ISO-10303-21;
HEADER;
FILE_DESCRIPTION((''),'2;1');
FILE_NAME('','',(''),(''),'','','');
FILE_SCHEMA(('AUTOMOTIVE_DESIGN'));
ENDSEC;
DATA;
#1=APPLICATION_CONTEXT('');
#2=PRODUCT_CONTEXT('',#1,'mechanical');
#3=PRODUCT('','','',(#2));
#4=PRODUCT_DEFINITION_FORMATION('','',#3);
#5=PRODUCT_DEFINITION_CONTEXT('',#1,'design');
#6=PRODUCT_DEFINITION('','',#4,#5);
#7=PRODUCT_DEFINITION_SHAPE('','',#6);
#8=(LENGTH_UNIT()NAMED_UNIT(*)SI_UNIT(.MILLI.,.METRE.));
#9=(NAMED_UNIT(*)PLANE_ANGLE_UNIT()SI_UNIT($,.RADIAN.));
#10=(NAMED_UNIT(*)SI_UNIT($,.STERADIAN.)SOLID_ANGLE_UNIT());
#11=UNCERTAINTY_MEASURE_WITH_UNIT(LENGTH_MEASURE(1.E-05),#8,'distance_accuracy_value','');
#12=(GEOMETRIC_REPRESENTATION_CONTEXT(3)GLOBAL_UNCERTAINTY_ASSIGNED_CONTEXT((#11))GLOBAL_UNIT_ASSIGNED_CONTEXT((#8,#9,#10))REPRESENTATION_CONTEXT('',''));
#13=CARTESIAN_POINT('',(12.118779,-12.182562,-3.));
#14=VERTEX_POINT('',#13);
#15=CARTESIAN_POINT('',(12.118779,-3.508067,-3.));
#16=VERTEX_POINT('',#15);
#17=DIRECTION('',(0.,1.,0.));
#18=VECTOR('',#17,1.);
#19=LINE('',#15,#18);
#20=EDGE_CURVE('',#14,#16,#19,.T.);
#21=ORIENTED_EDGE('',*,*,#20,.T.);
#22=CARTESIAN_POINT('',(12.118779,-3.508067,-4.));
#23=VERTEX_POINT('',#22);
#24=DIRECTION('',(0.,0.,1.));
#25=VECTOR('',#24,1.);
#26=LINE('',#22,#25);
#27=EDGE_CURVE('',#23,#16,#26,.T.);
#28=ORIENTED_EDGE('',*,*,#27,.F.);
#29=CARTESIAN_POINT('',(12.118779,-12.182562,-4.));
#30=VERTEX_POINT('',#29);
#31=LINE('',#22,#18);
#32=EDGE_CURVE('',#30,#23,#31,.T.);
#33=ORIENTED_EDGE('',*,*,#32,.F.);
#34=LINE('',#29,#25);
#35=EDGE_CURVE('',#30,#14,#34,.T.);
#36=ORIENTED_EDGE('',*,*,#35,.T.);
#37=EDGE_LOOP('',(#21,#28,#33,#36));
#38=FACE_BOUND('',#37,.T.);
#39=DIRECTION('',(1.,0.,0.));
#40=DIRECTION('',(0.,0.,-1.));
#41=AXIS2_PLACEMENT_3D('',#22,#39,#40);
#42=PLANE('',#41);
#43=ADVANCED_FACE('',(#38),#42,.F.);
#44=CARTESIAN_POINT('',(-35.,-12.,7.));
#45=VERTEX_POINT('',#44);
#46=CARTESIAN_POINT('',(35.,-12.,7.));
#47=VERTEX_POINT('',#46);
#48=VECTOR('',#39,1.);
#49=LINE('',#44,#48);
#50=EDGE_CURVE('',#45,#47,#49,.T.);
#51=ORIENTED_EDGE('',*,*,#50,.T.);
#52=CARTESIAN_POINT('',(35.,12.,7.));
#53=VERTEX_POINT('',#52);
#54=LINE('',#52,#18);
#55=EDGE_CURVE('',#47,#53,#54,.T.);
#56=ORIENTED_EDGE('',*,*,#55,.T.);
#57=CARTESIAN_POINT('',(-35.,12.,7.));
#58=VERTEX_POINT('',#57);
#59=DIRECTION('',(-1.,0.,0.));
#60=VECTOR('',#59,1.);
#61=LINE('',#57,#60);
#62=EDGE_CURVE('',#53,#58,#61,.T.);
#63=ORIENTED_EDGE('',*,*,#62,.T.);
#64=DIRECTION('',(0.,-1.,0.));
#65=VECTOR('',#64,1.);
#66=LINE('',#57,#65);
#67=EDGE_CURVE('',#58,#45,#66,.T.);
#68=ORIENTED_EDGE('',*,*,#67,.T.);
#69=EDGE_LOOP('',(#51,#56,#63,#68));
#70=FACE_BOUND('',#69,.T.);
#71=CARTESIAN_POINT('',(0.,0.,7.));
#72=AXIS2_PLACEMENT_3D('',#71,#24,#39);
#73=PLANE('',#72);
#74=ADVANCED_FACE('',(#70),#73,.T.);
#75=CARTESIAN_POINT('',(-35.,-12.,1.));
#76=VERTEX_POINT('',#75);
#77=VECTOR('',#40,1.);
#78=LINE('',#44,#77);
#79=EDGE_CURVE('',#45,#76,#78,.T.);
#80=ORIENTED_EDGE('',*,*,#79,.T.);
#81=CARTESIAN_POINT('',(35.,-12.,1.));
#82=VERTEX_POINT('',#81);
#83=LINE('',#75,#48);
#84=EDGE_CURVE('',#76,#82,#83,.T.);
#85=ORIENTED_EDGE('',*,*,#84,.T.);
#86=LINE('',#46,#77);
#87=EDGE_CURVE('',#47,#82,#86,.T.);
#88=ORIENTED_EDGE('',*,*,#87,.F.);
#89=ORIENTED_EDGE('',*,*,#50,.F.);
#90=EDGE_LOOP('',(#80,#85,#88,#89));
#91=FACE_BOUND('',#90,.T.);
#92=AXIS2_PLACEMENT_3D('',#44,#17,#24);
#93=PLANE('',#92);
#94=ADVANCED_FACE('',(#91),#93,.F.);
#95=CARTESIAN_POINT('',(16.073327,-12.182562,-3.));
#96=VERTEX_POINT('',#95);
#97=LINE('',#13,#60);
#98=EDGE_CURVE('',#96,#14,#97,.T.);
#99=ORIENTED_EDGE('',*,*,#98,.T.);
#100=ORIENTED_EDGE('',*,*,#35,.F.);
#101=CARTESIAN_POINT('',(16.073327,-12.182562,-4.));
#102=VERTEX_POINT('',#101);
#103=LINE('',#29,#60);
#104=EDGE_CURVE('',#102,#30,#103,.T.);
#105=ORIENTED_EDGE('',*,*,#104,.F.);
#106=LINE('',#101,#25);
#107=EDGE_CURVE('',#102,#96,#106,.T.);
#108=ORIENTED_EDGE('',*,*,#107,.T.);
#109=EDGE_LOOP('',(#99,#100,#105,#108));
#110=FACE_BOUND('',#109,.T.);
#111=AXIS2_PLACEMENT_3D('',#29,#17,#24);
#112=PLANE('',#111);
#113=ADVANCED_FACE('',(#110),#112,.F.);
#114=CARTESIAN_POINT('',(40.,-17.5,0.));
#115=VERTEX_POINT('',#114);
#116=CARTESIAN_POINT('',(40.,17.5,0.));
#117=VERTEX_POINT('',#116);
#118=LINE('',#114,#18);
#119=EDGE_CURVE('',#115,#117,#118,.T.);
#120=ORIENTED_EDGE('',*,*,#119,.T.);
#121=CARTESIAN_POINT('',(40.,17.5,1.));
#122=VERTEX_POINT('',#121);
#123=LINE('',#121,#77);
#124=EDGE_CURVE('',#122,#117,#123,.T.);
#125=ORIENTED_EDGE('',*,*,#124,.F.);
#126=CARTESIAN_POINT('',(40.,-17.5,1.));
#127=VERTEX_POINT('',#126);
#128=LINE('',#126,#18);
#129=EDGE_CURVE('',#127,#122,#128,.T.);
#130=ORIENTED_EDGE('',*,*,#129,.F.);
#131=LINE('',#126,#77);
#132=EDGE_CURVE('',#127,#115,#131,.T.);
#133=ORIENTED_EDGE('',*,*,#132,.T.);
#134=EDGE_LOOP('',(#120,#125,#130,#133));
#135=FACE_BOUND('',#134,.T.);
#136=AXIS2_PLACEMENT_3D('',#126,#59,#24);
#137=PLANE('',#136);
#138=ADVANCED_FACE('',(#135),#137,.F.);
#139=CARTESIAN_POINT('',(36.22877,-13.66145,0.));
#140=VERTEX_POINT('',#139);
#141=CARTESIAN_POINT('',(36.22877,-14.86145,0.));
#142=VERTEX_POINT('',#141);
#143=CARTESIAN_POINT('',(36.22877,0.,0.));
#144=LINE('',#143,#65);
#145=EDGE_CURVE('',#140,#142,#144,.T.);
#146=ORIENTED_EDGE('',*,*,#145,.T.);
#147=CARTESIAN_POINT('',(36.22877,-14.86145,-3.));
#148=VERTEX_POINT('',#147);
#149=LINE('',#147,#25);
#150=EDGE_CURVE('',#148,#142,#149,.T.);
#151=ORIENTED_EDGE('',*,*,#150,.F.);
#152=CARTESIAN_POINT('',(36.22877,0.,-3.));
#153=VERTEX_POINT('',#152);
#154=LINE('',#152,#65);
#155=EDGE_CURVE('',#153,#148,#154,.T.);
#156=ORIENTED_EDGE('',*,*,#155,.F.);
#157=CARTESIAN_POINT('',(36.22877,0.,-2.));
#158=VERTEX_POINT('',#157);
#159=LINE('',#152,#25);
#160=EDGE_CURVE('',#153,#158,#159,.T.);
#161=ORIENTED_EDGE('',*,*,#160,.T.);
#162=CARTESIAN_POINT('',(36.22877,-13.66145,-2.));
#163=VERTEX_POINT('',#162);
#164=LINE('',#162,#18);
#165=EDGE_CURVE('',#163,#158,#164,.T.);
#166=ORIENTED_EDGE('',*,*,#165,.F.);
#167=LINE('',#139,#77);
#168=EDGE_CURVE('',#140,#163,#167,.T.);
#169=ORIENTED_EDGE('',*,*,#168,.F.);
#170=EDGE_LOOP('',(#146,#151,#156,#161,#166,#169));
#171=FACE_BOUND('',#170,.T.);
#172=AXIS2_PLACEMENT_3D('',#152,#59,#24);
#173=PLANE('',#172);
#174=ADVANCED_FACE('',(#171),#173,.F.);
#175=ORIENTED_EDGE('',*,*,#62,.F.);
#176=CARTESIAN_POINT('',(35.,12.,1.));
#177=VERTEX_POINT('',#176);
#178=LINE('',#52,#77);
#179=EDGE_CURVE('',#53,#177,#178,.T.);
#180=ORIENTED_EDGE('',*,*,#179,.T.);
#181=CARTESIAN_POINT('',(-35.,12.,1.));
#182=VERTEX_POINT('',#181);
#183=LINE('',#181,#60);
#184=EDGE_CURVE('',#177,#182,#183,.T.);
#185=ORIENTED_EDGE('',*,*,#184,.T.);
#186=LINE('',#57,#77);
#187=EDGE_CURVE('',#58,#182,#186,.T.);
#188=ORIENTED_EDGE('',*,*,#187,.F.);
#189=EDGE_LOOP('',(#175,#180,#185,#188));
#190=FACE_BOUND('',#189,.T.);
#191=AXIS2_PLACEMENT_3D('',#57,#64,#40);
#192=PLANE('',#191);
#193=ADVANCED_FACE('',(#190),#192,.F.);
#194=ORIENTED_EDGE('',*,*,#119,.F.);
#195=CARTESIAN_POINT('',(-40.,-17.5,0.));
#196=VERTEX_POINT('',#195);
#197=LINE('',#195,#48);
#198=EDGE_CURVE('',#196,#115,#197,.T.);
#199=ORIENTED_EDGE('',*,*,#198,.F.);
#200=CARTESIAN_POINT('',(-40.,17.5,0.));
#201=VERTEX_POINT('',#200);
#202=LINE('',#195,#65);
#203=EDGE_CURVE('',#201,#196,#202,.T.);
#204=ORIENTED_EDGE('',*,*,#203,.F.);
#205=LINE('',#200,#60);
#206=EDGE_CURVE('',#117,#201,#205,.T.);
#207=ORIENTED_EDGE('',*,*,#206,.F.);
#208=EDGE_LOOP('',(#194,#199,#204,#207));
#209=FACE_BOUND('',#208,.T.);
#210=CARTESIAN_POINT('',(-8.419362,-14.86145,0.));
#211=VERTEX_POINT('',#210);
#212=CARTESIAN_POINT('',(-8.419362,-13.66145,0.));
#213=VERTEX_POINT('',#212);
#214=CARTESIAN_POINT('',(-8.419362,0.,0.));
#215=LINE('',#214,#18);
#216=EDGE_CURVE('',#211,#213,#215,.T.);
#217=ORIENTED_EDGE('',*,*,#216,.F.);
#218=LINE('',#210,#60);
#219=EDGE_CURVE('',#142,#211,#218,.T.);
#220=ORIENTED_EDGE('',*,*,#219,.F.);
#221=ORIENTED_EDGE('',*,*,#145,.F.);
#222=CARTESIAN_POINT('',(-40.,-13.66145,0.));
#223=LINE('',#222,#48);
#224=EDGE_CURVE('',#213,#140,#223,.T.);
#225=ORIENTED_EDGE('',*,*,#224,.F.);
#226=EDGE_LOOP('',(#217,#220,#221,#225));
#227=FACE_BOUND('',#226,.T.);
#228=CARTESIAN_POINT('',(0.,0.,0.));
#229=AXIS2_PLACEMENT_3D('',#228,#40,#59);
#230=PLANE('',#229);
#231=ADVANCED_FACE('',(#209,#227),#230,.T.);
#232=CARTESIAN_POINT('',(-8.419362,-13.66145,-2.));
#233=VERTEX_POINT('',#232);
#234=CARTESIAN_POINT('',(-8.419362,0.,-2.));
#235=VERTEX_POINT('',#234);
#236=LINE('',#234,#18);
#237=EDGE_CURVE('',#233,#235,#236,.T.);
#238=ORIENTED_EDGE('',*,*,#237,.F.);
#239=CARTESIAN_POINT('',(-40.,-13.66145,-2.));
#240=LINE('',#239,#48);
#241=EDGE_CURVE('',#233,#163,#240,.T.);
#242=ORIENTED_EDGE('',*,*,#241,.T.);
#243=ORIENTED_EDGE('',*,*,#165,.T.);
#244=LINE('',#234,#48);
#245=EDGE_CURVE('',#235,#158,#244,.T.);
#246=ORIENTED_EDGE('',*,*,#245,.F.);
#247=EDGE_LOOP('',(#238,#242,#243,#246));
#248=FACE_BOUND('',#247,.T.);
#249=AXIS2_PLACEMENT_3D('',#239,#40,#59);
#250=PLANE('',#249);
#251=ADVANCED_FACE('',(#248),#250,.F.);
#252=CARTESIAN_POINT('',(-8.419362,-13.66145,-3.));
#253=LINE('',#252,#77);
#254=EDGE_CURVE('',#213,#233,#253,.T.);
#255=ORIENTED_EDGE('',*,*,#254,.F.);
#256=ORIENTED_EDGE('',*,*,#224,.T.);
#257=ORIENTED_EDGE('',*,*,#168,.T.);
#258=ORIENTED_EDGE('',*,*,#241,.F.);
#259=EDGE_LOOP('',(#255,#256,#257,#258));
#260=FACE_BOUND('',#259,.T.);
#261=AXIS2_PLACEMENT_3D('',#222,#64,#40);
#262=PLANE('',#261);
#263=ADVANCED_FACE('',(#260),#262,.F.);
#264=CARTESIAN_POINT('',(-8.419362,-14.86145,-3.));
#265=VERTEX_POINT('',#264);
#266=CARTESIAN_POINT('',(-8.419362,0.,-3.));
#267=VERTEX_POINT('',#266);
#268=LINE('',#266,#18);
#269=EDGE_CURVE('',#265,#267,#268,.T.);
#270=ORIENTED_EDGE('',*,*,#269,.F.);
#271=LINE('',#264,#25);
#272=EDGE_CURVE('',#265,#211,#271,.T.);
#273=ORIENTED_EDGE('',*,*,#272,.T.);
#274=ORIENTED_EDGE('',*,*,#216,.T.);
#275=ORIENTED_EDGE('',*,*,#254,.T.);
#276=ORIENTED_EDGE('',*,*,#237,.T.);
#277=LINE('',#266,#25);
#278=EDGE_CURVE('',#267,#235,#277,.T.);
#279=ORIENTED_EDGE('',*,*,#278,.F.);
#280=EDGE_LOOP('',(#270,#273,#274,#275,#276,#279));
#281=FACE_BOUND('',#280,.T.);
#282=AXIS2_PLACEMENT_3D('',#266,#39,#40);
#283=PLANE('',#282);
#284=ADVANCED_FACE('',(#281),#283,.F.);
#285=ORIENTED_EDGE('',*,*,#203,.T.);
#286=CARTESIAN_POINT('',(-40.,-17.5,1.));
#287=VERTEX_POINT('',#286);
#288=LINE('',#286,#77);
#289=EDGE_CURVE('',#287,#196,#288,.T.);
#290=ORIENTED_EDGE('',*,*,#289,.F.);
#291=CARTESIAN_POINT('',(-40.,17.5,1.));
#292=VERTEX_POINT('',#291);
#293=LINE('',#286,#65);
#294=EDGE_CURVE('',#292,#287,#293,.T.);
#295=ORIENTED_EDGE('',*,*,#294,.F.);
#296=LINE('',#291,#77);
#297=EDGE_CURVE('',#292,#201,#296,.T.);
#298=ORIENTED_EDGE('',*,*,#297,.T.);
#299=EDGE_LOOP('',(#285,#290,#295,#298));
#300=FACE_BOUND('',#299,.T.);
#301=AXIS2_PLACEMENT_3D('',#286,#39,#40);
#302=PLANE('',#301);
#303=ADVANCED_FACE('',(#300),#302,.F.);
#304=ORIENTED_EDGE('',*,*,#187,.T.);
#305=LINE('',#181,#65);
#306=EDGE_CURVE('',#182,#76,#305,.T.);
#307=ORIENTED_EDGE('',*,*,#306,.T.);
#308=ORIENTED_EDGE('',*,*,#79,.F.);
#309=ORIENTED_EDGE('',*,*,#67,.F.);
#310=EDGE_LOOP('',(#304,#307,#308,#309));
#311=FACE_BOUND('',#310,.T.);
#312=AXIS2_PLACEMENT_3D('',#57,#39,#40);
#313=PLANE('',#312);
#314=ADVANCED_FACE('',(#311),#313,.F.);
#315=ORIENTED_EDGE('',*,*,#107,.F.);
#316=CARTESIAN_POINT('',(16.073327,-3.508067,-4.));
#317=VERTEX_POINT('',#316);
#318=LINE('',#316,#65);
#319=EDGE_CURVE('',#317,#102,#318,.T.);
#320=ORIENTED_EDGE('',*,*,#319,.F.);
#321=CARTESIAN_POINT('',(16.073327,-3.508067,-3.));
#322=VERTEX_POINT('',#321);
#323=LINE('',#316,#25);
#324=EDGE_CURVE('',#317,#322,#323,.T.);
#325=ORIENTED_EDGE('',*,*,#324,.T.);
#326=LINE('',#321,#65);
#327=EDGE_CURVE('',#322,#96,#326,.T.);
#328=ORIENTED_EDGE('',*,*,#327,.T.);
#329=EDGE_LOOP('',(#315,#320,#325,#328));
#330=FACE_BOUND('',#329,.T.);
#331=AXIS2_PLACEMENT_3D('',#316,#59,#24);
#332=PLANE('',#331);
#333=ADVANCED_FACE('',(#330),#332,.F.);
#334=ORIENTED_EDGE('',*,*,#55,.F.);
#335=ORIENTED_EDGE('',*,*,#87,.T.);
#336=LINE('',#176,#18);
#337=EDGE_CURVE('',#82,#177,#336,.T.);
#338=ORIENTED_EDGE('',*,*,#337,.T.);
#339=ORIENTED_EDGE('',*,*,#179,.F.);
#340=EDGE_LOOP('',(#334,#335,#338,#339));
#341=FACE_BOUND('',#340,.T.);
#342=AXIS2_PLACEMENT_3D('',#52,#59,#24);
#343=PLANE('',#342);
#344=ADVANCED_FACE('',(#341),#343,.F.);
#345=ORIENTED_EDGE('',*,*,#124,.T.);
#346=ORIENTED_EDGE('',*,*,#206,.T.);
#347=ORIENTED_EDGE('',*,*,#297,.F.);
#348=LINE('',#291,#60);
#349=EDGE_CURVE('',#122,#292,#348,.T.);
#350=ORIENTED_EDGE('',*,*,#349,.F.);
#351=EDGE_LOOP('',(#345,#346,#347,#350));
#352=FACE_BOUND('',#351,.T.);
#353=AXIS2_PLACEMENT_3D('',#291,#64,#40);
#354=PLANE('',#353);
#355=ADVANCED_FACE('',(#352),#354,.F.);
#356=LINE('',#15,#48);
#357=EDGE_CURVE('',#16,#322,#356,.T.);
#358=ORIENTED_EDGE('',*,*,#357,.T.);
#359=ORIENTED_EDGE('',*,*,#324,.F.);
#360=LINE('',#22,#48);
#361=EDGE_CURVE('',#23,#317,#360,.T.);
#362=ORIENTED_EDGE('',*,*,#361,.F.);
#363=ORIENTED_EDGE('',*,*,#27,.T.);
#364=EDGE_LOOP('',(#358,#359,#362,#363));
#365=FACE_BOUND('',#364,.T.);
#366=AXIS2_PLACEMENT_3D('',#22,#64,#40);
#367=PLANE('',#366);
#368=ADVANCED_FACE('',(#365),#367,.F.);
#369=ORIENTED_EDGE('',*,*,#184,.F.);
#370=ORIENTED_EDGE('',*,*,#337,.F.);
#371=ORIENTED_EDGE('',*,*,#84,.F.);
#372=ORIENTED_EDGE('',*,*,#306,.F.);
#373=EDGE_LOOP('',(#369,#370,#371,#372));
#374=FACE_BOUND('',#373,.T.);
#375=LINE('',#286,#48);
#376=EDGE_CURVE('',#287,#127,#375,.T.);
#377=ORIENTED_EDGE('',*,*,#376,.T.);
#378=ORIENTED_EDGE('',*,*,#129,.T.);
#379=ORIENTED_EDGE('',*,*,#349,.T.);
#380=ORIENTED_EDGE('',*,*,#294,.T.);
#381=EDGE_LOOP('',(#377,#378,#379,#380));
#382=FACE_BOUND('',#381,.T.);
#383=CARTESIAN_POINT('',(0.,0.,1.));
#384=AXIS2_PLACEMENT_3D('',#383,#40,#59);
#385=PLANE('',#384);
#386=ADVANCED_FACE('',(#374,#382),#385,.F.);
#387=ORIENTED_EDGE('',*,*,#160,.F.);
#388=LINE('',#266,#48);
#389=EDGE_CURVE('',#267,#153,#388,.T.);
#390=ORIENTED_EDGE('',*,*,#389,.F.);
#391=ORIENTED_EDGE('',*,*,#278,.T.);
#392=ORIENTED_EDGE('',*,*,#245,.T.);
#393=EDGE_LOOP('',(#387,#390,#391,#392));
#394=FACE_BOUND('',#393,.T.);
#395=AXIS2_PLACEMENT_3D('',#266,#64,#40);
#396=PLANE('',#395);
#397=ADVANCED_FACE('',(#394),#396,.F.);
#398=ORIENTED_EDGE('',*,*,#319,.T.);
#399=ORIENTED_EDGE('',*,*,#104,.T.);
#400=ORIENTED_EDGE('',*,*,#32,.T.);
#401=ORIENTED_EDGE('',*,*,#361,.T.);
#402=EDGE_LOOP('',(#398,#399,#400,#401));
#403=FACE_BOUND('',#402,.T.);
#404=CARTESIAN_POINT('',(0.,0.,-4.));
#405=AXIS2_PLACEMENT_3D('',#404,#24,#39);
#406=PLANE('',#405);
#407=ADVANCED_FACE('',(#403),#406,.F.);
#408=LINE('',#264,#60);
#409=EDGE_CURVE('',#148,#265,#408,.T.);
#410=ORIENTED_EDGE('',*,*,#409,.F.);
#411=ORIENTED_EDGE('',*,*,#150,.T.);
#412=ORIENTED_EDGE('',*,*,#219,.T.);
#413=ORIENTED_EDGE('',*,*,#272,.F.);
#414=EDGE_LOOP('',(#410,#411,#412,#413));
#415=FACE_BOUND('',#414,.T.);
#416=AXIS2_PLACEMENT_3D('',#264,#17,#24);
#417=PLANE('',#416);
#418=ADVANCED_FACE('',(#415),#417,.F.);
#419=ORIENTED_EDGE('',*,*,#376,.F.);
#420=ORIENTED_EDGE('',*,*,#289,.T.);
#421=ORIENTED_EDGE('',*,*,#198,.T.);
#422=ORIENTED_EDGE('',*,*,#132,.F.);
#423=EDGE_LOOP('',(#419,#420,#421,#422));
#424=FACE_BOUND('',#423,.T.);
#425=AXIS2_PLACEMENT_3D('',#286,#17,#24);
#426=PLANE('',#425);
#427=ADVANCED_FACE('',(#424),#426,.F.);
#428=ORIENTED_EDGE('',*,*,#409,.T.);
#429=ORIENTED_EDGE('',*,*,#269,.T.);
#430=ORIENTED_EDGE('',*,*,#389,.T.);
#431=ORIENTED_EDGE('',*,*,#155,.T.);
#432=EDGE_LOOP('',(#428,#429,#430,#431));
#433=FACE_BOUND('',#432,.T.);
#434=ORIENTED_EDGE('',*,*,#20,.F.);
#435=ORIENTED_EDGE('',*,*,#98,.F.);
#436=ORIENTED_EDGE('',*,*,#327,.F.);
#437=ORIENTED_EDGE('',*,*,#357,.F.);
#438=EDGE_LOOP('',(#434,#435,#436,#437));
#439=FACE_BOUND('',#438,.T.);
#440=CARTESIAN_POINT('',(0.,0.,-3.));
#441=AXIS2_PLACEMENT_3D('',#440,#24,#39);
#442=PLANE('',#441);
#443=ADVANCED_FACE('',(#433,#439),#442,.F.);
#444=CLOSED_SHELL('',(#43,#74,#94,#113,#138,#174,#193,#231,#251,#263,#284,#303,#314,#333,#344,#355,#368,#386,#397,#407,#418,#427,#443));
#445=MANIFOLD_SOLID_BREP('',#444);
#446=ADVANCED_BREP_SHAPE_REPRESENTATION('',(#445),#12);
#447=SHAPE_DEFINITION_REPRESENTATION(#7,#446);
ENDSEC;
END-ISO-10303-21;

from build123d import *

# Parameters (mm, degrees)
SKETCH1_W           = 80
SKETCH1_H           = 35
BOSS_EXTRUDE1_DEPTH = 1
SKETCH2_W           = 70
SKETCH2_H           = 24
BOSS_EXTRUDE2_DEPTH = 6
SKETCH3_W           = 44.648131597
SKETCH3_H           = 14.861449517
BOSS_EXTRUDE3_DEPTH = 3
SKETCH4_W           = 2
SKETCH4_H           = 14.195770454
CUT_EXTRUDE1_DEPTH  = 77.228769639
SKETCH5_W           = 3.954548799
SKETCH5_H           = 8.674494139
BOSS_EXTRUDE4_DEPTH = 1


with BuildPart() as part:
    # Sketch1 → Boss-Extrude1 (new body)
    with BuildSketch(Plane.XY):
        Rectangle(SKETCH1_W, SKETCH1_H)
    extrude(amount=BOSS_EXTRUDE1_DEPTH)

    # Sketch2 → Boss-Extrude2 (add)
    with BuildSketch(Plane.XY.offset(1)):
        Rectangle(SKETCH2_W, SKETCH2_H)
    extrude(amount=BOSS_EXTRUDE2_DEPTH)

    # Sketch3 → Boss-Extrude3 (add)
    with BuildSketch(Plane(origin=(0, 0, 0), x_dir=(-1, 0, 0), z_dir=(0, 0, -1))):
        with Locations((-13.90470384, -7.430724759)):
            Rectangle(SKETCH3_W, SKETCH3_H)
    extrude(amount=BOSS_EXTRUDE3_DEPTH)

    # Sketch4 → Cut-Extrude1 (cut, through all)
    with BuildSketch(Plane(origin=(36.228769639, 0, 0), x_dir=(0, 0, -1), z_dir=(1, 0, 0))):
        with Locations((1, -6.56356429)):
            Rectangle(SKETCH4_W, SKETCH4_H)
    extrude(amount=-CUT_EXTRUDE1_DEPTH, mode=Mode.SUBTRACT)

    # Sketch5 → Boss-Extrude4 (add)
    with BuildSketch(Plane(origin=(0, 0, -3), x_dir=(-1, 0, 0), z_dir=(0, 0, -1))):
        with Locations((-14.096052976, -7.845314553)):
            Rectangle(SKETCH5_W, SKETCH5_H)
    extrude(amount=BOSS_EXTRUDE4_DEPTH)


solid = part.part
